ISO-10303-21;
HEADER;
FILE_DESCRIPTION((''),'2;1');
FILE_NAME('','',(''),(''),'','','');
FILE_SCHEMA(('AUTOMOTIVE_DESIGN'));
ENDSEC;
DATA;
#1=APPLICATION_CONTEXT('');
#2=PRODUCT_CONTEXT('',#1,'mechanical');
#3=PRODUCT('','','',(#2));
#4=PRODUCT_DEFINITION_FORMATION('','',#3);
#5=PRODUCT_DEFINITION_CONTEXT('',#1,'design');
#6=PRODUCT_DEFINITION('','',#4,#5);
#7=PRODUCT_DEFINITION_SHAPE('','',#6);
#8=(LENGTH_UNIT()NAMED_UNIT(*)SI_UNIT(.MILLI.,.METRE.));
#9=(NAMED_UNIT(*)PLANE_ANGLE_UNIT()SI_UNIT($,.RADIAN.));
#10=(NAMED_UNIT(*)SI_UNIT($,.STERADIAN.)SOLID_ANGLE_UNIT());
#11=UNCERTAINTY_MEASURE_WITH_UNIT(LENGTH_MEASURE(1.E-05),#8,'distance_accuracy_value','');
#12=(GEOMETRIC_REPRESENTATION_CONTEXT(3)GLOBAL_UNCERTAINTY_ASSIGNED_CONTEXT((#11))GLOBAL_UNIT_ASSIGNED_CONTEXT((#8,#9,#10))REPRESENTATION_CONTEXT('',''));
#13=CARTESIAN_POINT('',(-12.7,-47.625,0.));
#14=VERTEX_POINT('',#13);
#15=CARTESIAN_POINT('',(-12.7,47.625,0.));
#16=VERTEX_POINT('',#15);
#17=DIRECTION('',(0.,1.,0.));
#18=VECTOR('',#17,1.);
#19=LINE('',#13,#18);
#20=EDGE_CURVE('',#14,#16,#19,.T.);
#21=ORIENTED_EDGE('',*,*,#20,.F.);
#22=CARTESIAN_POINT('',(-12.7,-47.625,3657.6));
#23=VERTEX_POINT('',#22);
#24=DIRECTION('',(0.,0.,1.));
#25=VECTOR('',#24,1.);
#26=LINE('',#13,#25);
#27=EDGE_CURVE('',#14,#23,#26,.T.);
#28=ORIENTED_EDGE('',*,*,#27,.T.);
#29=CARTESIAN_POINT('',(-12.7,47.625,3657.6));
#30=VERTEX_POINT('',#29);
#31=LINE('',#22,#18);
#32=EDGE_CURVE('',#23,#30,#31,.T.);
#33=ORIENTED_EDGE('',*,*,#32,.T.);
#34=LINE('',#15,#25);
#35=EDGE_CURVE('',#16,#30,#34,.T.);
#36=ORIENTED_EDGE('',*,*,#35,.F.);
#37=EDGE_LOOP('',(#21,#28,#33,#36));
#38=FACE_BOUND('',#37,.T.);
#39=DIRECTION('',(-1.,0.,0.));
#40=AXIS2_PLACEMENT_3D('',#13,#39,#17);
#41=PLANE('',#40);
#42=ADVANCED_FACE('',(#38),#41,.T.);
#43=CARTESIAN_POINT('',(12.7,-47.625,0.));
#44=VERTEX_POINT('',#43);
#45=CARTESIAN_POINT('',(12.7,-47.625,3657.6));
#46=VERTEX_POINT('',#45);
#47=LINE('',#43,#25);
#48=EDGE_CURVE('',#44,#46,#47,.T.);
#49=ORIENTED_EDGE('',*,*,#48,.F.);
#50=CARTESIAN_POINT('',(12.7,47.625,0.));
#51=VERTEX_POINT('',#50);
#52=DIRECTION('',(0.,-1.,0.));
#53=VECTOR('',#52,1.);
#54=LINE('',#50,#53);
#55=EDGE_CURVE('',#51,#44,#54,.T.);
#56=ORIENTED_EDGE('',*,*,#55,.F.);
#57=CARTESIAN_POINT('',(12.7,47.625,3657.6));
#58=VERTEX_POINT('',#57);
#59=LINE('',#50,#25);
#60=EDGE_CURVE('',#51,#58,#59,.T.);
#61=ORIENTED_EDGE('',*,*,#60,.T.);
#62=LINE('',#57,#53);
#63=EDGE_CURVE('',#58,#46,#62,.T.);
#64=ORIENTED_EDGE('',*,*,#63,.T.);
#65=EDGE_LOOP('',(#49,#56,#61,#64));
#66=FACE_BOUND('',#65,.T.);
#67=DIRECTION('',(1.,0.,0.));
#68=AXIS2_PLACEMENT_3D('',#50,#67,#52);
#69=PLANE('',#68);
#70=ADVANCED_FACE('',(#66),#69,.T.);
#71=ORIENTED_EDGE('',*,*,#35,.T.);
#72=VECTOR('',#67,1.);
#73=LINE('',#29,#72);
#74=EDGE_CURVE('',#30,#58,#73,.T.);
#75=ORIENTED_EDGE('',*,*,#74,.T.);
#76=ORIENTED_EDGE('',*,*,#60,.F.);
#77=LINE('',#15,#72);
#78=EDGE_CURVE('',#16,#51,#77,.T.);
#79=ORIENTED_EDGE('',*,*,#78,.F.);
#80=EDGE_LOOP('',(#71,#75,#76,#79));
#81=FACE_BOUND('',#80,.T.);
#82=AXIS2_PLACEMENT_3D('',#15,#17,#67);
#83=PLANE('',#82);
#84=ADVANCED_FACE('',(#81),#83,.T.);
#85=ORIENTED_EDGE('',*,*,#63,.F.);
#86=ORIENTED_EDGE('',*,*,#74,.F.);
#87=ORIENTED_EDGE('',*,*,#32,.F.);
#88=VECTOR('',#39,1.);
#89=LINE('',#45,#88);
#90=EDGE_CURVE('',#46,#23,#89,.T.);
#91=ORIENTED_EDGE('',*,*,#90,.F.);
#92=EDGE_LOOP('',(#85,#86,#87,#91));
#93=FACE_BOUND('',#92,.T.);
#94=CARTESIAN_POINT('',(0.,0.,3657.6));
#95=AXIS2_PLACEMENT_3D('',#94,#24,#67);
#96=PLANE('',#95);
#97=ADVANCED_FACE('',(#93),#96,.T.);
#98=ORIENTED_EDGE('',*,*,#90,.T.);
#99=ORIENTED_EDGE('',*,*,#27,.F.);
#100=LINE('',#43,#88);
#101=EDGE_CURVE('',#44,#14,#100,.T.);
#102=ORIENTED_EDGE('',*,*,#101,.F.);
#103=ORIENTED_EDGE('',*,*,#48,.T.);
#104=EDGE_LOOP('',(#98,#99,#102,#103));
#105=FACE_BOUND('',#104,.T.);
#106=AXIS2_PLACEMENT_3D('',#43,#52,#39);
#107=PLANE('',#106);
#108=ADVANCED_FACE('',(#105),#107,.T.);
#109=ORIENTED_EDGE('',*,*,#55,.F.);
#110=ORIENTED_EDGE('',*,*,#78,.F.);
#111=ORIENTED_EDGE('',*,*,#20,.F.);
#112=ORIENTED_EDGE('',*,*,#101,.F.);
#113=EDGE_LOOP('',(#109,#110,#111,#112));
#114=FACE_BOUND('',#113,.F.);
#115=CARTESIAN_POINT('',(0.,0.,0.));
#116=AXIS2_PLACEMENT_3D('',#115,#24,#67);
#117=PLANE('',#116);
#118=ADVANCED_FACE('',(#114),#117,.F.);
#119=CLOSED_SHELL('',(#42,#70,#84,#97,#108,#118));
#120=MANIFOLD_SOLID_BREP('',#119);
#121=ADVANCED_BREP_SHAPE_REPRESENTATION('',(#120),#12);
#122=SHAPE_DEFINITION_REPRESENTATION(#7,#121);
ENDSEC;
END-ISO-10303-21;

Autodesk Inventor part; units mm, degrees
ref_plane "YZ Plane" through (0, 0, 0) normal (1, 0, 0) x (0, 1, 0)
ref_plane "Start Plane" through (0, 0, 0) normal (0, 0, 1) x (1, 0, 0)
ref_plane "End Plane" through (0, 0, 3657.6) normal (0, 0, 1) x (1, 0, 0)
sketch "Sketch" plane through (0, 0, 0) normal (0, 0, 1) x (1, 0, 0)
  line L0 (12.7, -47.625) -> (-12.7, -47.625)
  line L1 (-12.7, -47.625) -> (-12.7, 47.625)
  line L2 (-12.7, 47.625) -> (12.7, 47.625)
  line L3 (12.7, 47.625) -> (12.7, -47.625)
  line L4 (-6, 0) -> (8, 0) construction
  line L5 (0, -30) -> (0, 40) construction
  line L6 (0, 66.675) -> (0, -66.675) construction
  line L7 (-17.78, 0) -> (17.78, 0) construction
  dimension "d0" = 95.25
  dimension "d1" = 25.4
  dimension "d4" = 12.7
  dimension "d5" = 47.625
extrude "Body" add sketch "Sketch" along normal up to surface (3657.6 mm away) from surface at 0
sketch "Sketch3" plane through (0, 0, 0) normal (0, 0, 1) x (1, 0, 0)
  line L0 (0, 0) -> (10, 0)
ref_plane "Work Plane3" through (0, 0, 0) normal (0, -1, 0) x (1, 0, 0)
sketch "Sketch4" plane through (0, 0, 0) normal (0, -1, 0) x (1, 0, 0)
  line L0 (-2, 0) -> (12, 0) projected
  line L1 (-2, 3657.6) -> (12, 3657.6) projected
  dimension "d9" = 3657.6
equation "\"d0\" = G_W"
equation "\"d1\" = G_H"
equation "\"d4\" = 0.5 * d1"
equation "\"d5\" = 0.5 * d0"
equation "\"d2\" = G_L"
equation "\"G_W\" = 95.25"
equation "\"G_H\" = 25.4"
equation "\"G_L\" = d9"
equation "\"G_OFFSET_START\" = 0"
equation "\"G_OFFSET_END\" = 0"
equation "\"d7\" = G_OFFSET_END + B_L"
equation "\"B_L\" = 3657.6"
properties part number "AISC - 3 3/4x1 - 144" material "Steel, Mild"
